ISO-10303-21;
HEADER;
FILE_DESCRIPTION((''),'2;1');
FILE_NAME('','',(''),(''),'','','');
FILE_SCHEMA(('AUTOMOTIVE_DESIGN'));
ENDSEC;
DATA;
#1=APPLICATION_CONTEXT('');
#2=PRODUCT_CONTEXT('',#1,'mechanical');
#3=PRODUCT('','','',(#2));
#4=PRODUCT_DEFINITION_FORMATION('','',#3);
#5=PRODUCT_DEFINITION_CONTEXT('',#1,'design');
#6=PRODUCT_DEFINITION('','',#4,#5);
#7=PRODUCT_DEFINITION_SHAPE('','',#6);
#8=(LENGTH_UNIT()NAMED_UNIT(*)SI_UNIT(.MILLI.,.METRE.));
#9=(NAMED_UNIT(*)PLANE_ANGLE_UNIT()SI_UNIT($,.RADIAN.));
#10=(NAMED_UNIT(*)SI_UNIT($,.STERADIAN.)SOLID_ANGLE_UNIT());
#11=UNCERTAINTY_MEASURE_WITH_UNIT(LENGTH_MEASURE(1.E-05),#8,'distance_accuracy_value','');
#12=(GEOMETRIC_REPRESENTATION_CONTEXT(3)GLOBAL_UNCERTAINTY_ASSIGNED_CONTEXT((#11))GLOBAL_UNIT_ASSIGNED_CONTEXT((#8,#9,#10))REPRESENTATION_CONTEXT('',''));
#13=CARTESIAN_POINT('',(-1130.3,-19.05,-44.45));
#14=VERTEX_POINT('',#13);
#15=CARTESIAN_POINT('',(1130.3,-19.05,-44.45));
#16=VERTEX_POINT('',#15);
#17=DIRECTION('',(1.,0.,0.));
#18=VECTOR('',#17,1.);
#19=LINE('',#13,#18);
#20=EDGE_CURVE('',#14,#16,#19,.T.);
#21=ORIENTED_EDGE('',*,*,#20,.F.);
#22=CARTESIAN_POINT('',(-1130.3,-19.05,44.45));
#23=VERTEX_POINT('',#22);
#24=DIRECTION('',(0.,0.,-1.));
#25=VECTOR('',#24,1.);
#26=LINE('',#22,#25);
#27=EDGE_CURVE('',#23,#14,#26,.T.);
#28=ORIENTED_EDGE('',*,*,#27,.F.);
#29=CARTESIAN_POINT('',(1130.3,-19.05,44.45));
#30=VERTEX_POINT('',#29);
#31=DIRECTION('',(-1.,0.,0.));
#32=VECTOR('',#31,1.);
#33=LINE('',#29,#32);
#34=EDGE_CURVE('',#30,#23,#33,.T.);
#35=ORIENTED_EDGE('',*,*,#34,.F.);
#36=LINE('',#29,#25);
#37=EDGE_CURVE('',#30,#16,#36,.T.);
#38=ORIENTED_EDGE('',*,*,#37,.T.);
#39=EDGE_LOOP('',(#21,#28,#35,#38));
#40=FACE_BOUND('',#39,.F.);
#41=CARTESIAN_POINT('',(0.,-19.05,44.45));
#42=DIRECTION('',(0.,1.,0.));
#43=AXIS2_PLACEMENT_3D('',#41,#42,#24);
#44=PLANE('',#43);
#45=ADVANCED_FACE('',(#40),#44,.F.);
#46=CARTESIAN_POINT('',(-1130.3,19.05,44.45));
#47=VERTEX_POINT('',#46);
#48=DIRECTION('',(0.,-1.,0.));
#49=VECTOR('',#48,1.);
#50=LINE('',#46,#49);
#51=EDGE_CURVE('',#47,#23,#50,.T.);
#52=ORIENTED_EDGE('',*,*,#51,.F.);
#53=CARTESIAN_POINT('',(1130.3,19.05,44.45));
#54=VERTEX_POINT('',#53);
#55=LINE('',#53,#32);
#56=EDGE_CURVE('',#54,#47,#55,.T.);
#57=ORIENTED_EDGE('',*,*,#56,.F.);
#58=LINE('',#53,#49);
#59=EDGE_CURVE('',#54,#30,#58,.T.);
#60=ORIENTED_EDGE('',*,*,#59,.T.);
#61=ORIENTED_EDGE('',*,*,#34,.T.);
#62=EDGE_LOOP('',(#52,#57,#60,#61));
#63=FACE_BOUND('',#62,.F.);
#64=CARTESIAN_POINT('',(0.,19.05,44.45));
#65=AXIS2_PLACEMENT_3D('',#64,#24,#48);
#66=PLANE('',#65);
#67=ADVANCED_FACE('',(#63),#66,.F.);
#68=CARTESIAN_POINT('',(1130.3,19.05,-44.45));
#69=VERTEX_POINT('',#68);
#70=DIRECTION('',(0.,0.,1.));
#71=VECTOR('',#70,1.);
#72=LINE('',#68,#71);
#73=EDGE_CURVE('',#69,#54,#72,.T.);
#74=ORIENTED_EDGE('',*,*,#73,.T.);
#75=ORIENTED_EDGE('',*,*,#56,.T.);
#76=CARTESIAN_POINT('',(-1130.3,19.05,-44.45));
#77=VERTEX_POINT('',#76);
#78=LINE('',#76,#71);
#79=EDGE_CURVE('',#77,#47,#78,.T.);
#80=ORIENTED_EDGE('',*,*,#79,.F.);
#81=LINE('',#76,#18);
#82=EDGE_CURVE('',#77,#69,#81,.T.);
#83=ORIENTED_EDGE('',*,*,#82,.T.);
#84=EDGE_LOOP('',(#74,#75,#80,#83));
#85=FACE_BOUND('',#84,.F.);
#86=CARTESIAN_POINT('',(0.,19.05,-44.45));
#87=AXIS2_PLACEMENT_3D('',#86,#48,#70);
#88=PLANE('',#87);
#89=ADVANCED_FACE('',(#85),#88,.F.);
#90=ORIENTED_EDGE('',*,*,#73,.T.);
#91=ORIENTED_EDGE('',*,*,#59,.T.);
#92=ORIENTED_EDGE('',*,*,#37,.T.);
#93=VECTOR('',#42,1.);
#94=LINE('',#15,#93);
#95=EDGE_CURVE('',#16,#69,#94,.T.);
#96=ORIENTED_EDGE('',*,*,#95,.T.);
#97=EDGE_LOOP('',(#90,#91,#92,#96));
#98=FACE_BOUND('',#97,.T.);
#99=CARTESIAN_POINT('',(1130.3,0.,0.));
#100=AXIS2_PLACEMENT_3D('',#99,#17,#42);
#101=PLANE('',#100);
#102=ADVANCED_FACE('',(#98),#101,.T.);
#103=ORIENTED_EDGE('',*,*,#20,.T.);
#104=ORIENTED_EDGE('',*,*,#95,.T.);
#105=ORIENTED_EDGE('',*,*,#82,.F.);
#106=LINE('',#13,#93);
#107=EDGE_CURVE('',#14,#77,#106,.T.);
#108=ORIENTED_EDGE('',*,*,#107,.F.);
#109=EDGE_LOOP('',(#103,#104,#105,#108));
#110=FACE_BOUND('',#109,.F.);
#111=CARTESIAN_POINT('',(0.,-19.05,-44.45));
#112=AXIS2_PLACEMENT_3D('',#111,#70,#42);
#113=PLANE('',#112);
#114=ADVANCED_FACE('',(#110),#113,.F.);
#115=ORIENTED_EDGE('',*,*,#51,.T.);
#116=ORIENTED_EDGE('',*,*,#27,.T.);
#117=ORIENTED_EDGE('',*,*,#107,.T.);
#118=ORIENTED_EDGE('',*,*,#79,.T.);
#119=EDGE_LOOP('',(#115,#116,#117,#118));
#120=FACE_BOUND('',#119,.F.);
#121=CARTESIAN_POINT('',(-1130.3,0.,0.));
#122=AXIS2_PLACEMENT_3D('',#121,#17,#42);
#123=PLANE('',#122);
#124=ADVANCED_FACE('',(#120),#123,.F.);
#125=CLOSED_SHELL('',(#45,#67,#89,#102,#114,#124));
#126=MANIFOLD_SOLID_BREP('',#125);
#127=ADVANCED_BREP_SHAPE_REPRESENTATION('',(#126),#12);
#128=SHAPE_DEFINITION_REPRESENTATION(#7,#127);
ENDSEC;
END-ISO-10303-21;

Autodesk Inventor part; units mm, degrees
ref_plane "YZ Plane" through (0, 0, 0) normal (1, 0, 0) x (0, 1, 0)
ref_plane "XZ Plane" through (0, 0, 0) normal (0, 1, 0) x (-1, 0, 0)
ref_plane "XY Plane" through (0, 0, 0) normal (0, 0, 1) x (1, 0, 0)
sketch "Sketch1" plane through (0, 0, 0) normal (1, 0, 0) x (0, 1, 0)
  line L0 (-19.05, -44.45) -> (19.05, -44.45)
  line L1 (19.05, -44.45) -> (19.05, 44.45)
  line L2 (19.05, 44.45) -> (-19.05, 44.45)
  line L3 (-19.05, 44.45) -> (-19.05, -44.45)
  line L4 (-19.05, -44.45) -> (19.05, 44.45) construction
  line L5 (19.05, -44.45) -> (-19.05, 44.45) construction
  point P0 (0, 0)
  dimension "d0" = 88.9
  dimension "d1" = 38.1
extrude "Extrusion1" add sketch "Sketch1" along normal mid plane 2260.6
properties part number "2x4x89"
